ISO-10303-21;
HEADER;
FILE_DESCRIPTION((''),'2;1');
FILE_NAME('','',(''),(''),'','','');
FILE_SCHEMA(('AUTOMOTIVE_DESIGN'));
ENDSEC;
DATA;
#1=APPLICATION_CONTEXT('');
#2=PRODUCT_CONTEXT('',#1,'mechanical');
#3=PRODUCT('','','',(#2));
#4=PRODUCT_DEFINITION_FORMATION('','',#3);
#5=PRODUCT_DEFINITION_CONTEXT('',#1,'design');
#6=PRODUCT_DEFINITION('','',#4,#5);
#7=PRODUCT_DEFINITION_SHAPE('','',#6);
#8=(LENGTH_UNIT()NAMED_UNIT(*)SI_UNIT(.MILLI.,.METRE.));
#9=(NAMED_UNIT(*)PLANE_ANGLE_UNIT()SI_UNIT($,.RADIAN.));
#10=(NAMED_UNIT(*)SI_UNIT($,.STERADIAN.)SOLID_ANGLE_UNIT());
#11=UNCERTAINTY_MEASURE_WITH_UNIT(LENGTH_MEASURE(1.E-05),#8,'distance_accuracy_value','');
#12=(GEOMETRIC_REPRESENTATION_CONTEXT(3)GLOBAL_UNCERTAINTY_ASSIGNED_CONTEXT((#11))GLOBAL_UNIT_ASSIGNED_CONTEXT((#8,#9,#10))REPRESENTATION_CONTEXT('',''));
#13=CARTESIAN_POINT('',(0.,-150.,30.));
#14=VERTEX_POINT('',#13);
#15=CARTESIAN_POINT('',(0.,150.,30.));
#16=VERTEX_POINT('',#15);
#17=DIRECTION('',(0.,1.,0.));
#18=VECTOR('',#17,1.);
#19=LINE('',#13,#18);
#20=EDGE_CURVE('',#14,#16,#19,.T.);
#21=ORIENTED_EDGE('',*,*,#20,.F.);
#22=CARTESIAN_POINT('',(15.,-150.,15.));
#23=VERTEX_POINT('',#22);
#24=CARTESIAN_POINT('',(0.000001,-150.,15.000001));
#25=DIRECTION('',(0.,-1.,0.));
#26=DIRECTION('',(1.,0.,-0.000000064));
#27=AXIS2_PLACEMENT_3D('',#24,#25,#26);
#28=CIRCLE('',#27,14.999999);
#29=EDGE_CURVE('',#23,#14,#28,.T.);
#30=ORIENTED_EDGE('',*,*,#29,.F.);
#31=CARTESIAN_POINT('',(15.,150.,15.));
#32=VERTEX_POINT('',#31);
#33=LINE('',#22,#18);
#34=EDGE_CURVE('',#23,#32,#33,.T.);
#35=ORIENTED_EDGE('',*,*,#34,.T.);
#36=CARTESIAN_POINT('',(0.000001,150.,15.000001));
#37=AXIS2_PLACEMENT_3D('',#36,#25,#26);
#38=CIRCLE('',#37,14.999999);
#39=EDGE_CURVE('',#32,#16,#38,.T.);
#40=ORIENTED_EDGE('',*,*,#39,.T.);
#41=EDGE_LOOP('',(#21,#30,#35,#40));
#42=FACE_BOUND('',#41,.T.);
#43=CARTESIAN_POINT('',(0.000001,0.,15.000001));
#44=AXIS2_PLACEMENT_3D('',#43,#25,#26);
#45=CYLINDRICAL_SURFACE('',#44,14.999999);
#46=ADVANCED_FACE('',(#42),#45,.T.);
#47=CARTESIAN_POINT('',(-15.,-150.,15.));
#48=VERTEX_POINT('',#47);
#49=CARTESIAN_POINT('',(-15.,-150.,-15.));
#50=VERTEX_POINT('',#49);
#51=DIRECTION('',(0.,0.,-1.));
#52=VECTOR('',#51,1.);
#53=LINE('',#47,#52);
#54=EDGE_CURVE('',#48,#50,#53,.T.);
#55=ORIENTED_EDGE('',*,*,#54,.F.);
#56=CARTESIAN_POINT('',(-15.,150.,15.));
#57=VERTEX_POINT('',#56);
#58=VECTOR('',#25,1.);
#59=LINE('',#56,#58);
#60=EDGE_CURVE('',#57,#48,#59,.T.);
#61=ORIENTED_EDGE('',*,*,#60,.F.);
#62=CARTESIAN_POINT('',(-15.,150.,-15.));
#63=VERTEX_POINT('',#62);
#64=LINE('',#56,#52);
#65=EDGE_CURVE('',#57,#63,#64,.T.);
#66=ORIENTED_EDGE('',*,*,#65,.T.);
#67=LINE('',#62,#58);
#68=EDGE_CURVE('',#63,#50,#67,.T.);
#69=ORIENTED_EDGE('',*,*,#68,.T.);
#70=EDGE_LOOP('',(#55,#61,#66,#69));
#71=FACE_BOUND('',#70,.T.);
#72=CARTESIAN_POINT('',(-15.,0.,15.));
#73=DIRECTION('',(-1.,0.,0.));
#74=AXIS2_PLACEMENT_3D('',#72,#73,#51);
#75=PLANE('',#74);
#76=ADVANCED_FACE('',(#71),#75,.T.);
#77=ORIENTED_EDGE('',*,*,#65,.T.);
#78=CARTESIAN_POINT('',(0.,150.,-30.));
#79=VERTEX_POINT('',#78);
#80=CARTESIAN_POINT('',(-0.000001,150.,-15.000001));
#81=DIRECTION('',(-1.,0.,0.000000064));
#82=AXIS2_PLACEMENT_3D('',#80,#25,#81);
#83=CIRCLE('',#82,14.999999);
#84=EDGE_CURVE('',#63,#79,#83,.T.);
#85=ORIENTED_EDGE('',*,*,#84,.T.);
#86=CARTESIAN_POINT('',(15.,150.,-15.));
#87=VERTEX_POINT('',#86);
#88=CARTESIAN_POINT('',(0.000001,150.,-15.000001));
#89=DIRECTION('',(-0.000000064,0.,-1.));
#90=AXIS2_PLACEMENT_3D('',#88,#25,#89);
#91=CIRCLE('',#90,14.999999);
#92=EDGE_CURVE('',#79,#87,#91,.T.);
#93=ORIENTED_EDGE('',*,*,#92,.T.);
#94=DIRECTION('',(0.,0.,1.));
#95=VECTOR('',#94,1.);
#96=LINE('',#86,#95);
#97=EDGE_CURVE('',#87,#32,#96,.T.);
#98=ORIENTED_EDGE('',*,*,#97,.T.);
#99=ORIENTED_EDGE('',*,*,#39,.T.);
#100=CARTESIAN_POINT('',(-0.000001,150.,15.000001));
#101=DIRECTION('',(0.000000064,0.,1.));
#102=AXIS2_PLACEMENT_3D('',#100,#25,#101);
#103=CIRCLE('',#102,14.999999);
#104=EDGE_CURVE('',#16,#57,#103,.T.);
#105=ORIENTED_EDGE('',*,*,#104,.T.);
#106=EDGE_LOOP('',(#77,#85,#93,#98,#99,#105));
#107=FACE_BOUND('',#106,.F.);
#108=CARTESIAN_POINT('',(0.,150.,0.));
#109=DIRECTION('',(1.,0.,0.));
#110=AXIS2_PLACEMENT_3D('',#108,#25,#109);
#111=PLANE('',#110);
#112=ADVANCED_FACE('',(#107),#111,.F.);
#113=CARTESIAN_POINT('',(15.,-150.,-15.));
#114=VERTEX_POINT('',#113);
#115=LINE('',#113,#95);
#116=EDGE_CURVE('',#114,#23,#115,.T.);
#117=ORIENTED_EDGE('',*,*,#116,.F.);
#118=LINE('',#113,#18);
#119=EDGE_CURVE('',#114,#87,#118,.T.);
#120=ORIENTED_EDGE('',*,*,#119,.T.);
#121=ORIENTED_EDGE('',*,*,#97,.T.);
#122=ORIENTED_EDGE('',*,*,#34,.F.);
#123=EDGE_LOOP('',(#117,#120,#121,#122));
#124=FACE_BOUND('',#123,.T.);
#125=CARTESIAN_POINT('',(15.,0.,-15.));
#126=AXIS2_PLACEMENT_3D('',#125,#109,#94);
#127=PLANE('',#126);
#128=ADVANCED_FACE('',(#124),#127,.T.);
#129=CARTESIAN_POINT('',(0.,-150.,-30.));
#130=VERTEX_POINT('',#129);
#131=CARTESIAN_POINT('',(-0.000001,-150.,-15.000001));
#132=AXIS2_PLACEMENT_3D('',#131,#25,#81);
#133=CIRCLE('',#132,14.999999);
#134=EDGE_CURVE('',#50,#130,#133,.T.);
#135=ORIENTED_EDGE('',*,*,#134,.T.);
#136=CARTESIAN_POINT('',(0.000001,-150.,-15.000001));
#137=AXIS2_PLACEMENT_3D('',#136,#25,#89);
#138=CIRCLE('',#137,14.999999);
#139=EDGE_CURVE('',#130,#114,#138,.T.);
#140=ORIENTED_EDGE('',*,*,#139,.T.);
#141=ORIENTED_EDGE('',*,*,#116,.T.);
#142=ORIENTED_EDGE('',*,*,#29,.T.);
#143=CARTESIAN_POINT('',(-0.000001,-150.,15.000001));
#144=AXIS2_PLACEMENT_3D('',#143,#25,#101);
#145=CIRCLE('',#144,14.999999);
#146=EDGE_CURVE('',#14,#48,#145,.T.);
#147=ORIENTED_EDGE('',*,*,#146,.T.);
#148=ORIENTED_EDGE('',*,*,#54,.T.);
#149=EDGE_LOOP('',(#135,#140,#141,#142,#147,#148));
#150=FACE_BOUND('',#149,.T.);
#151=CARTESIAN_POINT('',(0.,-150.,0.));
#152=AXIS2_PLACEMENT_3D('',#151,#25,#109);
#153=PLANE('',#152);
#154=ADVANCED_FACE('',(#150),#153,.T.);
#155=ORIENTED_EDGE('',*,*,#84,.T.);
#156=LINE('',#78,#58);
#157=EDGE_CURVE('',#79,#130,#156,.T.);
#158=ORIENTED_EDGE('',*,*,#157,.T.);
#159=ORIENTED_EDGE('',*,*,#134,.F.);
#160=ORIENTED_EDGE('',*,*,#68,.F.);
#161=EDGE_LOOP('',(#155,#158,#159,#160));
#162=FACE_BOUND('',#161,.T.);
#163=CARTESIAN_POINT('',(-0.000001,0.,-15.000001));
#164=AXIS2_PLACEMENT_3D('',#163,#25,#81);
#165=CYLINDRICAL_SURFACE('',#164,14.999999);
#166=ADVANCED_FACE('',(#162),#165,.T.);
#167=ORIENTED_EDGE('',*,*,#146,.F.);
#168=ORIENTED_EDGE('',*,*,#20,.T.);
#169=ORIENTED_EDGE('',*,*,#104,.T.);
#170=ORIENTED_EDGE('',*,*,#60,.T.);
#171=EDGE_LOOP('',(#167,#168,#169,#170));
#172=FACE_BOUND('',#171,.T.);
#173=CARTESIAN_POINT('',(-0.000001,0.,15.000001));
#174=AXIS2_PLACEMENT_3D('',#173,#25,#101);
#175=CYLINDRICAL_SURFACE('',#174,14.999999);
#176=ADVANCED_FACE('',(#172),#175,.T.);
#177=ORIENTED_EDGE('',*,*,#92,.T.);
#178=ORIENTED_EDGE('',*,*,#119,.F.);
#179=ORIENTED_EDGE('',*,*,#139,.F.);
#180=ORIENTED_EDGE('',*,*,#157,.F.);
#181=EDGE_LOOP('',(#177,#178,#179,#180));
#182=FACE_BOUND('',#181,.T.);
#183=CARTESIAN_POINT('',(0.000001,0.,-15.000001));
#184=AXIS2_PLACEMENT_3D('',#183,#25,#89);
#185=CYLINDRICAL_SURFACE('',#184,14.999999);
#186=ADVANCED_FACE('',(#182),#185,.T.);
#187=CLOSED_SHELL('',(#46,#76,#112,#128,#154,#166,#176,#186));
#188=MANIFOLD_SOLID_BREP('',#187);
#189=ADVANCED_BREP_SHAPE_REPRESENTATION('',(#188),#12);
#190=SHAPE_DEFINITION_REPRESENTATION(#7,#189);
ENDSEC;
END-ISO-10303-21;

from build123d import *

# Parameters (mm, degrees)
F1_DEPTH = 150


with BuildPart() as f1:
    # F0 (on Front) → F1 (new body, symmetric)
    with BuildSketch(Plane.XZ):
        with BuildLine():
            ThreePointArc((0, 30), (-10.606602, 25.606602), (-15, 15))
            Line((-15, 15), (-15, -15))
            ThreePointArc((-15, -15), (-10.606602, -25.606602), (0, -30))
            ThreePointArc((0, -30), (10.606602, -25.606602), (15, -15))
            Line((15, -15), (15, 15))
            ThreePointArc((15, 15), (10.606602, 25.606602), (0, 30))
        make_face()
    extrude(amount=F1_DEPTH, both=True)


solid = f1.part
